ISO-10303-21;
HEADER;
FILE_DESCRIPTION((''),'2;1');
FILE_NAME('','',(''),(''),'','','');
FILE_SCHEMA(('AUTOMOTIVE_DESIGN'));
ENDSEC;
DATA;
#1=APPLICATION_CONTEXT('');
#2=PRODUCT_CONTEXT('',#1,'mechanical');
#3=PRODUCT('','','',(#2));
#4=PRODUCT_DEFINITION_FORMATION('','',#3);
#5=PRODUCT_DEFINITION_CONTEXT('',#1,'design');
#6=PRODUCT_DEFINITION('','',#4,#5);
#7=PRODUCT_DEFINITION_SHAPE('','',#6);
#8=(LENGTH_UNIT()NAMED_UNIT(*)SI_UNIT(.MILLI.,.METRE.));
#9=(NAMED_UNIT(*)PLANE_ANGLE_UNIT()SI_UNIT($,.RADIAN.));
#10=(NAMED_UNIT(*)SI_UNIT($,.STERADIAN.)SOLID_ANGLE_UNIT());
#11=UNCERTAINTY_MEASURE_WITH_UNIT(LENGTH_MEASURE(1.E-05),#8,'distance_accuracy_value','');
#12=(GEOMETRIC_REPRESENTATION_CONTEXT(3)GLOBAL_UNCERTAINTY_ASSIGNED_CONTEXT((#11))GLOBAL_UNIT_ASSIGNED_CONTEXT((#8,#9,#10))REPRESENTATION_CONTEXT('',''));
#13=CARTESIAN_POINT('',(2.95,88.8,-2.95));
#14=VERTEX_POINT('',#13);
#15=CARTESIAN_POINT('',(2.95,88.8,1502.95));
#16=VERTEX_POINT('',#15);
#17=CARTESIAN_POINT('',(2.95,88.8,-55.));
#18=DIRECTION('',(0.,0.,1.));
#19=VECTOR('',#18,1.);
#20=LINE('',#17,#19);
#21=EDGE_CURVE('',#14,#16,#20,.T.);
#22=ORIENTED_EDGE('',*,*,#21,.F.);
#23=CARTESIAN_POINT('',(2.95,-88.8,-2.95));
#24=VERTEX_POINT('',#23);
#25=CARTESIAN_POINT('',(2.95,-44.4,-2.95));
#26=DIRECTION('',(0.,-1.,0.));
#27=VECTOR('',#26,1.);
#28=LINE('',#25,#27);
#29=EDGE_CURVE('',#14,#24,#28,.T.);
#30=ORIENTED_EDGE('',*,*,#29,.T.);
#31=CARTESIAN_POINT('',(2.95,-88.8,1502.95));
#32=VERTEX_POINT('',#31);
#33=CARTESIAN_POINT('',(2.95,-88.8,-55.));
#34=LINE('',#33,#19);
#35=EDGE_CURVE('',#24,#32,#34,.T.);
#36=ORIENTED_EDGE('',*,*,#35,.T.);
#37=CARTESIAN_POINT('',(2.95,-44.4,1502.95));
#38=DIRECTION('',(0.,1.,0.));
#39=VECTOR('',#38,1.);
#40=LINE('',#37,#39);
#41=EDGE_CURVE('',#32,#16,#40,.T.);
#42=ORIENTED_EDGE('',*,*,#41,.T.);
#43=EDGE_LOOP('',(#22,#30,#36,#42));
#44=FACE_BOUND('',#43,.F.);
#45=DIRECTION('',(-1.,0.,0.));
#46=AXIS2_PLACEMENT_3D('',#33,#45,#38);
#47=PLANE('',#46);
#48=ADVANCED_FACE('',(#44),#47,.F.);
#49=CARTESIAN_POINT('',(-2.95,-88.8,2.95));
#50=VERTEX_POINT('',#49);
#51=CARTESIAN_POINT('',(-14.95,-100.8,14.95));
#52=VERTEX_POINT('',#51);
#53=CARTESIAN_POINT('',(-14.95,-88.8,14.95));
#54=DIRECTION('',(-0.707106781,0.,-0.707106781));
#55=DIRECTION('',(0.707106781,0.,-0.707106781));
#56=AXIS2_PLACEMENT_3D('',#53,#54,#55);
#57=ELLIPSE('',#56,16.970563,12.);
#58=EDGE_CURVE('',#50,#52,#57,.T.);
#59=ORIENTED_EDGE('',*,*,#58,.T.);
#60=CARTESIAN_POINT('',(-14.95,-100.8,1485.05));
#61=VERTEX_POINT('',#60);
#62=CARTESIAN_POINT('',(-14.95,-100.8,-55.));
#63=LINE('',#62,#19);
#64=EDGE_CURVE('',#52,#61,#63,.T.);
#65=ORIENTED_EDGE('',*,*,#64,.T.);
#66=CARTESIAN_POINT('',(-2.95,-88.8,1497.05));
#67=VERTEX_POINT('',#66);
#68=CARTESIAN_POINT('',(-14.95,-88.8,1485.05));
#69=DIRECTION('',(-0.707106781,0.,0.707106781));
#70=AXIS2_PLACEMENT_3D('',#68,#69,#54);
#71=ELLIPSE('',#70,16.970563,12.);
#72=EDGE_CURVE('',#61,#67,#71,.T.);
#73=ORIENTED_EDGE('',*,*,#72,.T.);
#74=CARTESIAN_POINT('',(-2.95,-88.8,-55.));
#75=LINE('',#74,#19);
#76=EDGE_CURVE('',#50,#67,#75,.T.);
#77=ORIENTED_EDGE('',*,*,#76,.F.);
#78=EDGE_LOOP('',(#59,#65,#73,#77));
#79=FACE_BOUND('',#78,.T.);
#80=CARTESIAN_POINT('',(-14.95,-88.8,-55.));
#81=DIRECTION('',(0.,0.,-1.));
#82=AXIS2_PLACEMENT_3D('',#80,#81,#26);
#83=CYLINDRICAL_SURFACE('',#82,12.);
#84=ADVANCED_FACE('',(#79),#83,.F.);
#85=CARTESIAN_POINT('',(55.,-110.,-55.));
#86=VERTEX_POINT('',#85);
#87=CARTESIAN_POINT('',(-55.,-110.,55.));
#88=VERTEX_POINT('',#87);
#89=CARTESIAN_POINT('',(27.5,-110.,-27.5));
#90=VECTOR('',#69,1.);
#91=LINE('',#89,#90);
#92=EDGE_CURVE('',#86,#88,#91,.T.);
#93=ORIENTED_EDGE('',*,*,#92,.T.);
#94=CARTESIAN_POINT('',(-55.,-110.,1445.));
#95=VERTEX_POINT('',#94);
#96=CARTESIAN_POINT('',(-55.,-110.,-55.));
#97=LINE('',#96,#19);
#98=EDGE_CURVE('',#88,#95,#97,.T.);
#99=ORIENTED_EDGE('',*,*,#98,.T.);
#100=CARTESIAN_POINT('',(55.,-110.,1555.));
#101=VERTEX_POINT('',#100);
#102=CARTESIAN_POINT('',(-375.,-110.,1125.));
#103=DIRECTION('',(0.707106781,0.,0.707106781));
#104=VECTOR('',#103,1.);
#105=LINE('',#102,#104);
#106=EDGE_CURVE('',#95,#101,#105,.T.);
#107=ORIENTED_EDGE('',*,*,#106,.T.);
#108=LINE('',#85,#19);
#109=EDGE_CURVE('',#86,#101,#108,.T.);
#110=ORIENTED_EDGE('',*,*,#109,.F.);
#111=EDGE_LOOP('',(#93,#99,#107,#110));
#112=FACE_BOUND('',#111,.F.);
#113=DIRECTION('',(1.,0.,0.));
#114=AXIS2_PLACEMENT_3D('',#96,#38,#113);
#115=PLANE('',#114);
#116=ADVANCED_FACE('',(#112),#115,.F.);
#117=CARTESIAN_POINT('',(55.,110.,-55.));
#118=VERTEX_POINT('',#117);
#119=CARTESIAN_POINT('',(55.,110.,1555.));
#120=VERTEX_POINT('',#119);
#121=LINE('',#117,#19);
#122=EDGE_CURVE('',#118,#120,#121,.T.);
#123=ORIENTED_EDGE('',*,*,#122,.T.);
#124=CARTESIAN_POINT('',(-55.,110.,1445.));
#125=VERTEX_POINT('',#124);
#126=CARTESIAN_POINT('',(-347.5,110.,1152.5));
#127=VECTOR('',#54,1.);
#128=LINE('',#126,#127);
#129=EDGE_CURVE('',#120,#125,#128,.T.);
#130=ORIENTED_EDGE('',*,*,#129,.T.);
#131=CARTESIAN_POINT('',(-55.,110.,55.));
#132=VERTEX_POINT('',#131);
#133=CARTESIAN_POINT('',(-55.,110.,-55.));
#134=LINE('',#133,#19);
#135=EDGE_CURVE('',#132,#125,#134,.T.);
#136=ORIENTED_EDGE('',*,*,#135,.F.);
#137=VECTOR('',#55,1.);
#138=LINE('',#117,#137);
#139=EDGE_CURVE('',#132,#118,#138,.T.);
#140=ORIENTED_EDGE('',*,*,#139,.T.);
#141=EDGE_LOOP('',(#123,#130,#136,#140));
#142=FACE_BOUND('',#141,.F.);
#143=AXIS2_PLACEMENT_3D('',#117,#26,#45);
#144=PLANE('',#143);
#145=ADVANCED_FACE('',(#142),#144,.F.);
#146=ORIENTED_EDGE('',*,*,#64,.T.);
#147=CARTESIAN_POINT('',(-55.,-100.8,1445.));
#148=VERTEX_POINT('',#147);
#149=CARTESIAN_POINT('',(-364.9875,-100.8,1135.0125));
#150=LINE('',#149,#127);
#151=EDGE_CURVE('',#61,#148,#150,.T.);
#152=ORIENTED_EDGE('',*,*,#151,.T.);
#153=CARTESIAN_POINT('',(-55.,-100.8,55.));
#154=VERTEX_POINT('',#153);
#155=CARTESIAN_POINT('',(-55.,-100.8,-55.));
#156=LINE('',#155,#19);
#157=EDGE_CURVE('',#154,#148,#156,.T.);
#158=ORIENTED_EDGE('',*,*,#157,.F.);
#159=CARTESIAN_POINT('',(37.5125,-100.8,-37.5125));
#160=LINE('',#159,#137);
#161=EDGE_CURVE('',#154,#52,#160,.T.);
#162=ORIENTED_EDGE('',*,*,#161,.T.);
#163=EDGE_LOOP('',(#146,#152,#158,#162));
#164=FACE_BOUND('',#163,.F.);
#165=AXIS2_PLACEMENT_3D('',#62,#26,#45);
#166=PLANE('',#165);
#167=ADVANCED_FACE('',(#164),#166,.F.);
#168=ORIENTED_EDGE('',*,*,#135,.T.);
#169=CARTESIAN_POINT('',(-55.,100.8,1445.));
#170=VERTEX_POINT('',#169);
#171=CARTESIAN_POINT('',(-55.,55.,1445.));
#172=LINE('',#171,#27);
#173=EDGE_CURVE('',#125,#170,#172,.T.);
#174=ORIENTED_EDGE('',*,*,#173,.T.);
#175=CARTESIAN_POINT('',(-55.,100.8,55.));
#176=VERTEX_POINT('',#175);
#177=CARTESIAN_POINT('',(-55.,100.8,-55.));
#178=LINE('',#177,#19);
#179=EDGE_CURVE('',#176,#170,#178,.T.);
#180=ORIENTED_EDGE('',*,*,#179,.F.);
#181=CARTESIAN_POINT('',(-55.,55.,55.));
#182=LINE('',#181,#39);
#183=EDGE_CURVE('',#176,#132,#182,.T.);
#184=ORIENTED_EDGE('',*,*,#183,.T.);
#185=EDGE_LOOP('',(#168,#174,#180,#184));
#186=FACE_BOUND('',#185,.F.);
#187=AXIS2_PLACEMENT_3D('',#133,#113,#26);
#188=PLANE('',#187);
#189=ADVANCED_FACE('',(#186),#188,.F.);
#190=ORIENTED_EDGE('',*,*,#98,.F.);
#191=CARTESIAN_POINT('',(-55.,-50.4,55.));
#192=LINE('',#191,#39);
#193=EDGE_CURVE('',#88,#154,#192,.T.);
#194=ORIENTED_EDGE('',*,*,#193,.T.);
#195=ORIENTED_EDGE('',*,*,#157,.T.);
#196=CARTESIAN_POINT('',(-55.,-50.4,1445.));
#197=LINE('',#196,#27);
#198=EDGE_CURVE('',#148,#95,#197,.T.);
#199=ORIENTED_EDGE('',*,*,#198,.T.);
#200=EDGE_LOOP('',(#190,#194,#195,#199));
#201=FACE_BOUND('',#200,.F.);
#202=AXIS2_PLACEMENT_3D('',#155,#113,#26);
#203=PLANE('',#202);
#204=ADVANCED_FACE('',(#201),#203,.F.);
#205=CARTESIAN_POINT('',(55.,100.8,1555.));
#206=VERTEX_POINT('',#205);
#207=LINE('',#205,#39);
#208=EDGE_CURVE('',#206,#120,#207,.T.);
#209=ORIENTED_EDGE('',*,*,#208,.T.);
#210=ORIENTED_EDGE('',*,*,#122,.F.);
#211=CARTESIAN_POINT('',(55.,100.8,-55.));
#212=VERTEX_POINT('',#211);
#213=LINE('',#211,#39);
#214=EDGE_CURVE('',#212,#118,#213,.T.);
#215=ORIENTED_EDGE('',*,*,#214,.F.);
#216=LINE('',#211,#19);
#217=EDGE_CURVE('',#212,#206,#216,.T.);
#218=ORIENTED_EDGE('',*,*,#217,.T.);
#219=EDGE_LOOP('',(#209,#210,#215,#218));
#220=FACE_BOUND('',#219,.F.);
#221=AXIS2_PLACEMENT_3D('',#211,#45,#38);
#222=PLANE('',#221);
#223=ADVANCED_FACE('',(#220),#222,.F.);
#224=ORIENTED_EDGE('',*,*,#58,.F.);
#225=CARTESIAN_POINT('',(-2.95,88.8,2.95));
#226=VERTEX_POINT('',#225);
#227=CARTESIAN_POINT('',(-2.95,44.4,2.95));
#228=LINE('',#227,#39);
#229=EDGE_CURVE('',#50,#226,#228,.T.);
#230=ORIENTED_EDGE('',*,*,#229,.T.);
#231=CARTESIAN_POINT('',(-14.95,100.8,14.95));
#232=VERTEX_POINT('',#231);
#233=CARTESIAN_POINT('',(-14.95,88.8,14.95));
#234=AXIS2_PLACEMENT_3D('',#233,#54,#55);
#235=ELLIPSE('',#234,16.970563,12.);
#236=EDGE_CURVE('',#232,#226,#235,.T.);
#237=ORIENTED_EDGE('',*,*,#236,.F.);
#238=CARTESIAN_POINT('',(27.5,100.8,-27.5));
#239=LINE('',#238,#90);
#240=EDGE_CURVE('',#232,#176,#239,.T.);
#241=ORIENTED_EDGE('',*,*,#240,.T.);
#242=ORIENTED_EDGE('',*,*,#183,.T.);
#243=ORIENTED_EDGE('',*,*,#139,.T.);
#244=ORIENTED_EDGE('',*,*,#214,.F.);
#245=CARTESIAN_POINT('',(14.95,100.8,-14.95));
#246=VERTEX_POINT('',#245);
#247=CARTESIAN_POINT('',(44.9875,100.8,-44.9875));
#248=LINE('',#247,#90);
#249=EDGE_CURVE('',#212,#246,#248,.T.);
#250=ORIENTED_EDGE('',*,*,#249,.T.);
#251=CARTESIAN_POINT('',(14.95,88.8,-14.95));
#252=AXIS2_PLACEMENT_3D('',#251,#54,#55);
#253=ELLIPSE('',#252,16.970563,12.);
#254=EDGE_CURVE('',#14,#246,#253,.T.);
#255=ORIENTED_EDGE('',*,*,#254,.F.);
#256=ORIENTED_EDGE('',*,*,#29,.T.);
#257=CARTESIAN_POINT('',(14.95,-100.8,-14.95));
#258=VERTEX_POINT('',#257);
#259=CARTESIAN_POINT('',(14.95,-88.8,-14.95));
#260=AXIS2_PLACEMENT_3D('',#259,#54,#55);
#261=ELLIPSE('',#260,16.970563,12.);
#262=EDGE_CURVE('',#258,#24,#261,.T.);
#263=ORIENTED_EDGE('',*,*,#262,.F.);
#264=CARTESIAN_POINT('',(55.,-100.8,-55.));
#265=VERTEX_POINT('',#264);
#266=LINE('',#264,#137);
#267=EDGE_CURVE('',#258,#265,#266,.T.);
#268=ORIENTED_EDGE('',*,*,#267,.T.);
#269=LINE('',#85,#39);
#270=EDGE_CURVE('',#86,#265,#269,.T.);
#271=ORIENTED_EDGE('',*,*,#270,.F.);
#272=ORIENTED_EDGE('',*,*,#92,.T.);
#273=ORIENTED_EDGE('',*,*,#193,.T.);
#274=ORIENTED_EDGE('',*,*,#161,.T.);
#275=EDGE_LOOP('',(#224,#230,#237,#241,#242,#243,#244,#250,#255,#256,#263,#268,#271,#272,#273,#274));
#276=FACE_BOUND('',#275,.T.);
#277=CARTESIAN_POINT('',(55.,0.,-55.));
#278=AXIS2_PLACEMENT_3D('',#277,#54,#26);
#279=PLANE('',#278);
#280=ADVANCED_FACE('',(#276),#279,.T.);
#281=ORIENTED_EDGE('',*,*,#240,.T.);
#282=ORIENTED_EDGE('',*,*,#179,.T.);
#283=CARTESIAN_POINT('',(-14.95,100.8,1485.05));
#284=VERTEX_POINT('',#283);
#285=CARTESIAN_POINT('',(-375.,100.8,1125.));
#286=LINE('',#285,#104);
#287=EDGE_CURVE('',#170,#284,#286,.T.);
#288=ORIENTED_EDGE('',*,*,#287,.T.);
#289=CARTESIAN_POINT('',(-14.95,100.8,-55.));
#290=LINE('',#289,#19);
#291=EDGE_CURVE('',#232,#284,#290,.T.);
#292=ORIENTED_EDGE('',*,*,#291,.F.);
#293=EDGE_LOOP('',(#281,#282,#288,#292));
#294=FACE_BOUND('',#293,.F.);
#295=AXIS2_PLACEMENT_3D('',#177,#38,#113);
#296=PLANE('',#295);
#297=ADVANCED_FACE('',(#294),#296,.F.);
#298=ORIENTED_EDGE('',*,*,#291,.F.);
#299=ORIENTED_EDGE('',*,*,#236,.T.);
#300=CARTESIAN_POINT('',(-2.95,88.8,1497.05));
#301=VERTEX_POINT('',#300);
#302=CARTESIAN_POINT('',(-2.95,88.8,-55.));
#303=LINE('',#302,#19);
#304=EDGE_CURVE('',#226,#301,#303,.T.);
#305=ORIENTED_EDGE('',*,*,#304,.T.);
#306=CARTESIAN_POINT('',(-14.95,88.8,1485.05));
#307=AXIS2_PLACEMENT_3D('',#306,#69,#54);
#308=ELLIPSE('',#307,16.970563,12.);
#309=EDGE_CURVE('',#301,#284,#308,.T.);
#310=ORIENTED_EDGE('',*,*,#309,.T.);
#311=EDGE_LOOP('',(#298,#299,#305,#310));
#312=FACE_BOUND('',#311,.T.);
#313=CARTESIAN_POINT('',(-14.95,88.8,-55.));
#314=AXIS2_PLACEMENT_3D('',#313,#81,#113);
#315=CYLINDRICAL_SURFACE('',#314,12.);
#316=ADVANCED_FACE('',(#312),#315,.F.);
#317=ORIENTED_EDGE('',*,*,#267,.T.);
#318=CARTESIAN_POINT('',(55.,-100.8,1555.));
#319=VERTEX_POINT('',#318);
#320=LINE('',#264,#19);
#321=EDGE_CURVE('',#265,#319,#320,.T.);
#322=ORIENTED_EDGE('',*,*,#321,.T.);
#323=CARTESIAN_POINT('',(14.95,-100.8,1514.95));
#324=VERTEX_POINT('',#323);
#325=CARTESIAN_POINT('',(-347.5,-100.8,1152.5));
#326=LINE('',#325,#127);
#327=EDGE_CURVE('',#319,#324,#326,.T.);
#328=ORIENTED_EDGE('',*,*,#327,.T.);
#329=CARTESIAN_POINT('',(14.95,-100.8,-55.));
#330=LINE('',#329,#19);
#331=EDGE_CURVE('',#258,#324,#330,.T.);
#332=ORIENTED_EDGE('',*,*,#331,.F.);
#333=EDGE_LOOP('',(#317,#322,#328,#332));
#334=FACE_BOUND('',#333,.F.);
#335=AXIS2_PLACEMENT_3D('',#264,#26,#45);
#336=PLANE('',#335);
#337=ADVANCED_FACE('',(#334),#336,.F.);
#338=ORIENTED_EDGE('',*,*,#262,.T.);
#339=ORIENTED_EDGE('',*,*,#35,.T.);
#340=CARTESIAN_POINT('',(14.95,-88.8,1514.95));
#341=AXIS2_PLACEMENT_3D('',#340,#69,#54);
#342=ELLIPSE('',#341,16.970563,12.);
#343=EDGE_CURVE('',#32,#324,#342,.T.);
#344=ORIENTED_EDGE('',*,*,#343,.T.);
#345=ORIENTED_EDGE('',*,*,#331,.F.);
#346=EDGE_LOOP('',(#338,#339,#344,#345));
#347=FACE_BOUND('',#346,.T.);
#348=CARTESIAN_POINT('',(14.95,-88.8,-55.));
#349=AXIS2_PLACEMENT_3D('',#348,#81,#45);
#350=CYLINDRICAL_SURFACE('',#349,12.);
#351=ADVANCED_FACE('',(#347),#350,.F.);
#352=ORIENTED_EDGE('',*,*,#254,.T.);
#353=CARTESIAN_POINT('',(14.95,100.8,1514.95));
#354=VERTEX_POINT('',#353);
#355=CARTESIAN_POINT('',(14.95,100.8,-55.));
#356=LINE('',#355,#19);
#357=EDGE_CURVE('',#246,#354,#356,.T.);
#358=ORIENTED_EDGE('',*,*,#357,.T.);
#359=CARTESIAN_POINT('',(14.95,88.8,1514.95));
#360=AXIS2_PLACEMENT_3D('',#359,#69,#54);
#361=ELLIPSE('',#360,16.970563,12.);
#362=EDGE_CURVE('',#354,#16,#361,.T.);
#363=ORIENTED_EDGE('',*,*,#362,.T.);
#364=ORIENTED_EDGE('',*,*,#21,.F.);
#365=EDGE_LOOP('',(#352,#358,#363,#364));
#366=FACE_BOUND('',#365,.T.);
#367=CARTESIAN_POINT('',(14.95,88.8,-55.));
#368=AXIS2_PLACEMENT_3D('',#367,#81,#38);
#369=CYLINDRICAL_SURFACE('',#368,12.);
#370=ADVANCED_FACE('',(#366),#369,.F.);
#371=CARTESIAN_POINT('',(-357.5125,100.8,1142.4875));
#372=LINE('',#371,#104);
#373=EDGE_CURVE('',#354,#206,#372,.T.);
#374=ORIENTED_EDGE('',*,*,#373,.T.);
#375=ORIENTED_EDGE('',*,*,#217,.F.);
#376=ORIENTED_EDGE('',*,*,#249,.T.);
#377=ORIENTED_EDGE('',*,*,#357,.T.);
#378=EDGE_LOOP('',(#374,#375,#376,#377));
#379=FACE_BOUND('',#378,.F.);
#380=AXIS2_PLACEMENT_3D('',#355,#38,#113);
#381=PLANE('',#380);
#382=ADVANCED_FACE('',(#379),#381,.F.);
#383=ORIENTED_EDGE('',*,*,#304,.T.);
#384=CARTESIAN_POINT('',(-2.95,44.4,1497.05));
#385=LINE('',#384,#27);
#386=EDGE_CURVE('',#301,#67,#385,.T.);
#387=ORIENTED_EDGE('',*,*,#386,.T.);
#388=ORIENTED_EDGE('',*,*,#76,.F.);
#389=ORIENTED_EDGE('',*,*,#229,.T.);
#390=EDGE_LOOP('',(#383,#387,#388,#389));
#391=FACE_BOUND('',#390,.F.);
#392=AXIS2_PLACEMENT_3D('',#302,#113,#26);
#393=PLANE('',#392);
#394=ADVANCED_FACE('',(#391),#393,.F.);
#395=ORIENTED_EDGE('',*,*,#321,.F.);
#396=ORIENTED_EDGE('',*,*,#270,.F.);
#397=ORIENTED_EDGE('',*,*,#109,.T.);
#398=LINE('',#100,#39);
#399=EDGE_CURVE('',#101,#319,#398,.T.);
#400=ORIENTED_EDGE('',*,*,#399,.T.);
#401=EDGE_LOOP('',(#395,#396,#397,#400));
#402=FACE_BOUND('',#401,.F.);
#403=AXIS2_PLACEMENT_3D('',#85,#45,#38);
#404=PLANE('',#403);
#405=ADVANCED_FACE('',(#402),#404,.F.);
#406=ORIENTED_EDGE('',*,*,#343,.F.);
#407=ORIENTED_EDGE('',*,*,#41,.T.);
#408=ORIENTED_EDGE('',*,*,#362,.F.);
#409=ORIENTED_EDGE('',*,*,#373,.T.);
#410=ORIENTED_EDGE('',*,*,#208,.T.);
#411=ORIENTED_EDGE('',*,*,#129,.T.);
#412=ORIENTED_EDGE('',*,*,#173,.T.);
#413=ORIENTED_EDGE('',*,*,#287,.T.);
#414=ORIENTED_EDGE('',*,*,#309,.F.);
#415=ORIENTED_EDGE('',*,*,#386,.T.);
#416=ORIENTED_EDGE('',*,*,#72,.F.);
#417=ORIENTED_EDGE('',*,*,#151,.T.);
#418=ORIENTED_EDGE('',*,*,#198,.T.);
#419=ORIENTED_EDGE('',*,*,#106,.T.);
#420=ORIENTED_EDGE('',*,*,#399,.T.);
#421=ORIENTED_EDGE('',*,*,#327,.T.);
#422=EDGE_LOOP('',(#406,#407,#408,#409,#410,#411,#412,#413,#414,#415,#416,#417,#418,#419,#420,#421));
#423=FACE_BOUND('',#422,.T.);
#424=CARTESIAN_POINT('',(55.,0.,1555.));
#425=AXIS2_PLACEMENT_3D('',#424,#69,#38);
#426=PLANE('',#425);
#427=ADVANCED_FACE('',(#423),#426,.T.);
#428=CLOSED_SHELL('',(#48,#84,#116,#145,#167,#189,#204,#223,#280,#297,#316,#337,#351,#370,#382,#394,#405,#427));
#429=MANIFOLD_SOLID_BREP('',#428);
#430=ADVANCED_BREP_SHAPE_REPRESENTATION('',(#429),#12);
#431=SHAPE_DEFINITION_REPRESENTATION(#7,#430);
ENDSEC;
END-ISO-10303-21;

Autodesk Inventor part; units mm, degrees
ref_plane "Start plane" through (0, 0, -55) normal (0, 0, 1) x (1, 0, 0)
ref_plane "End plane" through (0, 0, 1555) normal (0, 0, 1) x (1, 0, 0)
sketch "Sketch2" plane through (0, 0, 0) normal (0, 0, 1) x (1, 0, 0)
  line L0 (-55, 100.8) -> (-14.95, 100.8)
  line L1 (-55, 110) -> (-55, 100.8)
  line L2 (55, 110) -> (-55, 110)
  line L3 (55, 100.8) -> (55, 110)
  line L4 (14.95, 100.8) -> (55, 100.8)
  line L5 (2.95, -88.8) -> (2.95, 88.8)
  line L6 (55, -100.8) -> (14.95, -100.8)
  line L7 (55, -110) -> (55, -100.8)
  line L8 (-55, -100.8) -> (-55, -110)
  line L9 (-14.95, -100.8) -> (-55, -100.8)
  line L10 (-2.95, 88.8) -> (-2.95, -88.8)
  line L11 (0, -154) -> (0, 154) construction
  line L12 (-2.95, -100.8) -> (2.95, -100.8) construction
  arc A0 (-14.95, -100.8) -> (-2.95, -88.8) centre (-14.95, -88.8) ccw
  arc A1 (-2.95, 88.8) -> (-14.95, 100.8) centre (-14.95, 88.8) ccw
  arc A2 (14.95, 100.8) -> (2.95, 88.8) centre (14.95, 88.8) ccw
  arc A3 (2.95, -88.8) -> (14.95, -100.8) centre (14.95, -88.8) ccw
  line L13 (-77, 0) -> (77, 0) construction
  line L14 (-55, -110) -> (55, -110)
  point P0 (-2.95, 100.8)
  point P1 (2.95, 100.8)
  point P2 (0, 0)
  point P3 (0, -100.8)
  point P4 (0, 0)
  dimension "d1" = 220
  dimension "d3" = 9.2
  dimension "d5" = 5.9
  dimension "d7" = 110
  dimension "d13" = 12
  dimension "d14" = 110
  dimension "d15" = 55
extrude "Body" add sketch "Sketch2" along normal up to surface (1610 mm away) from surface at -55
sketch "Sketch3" plane through (0, 0, 0) normal (0, 0, 1) x (1, 0, 0)
  line L0 (0, 0) -> (10, 0)
ref_plane "Work Plane3" through (0, 0, 0) normal (0, -1, 0) x (1, 0, 0)
ref_plane "Work Plane4" through (55, 0, 1555) normal (-0.7071, 0, 0.7071) x (0.7071, 0, 0.7071)
split "Split1" plane through (55, 0, 1555) removes the side toward (-0.7071, 0, 0.7071)
ref_plane "Work Plane5" through (55, 0, -55) normal (-0.7071, 0, -0.7071) x (-0.7071, 0, 0.7071)
split "Split2" plane through (55, 0, -55) removes the side toward (-0.7071, 0, -0.7071)
sketch "Sketch4" plane through (0, 0, 0) normal (0, -1, 0) x (1, 0, 0)
  line L0 (-2, -55) -> (12, -55) projected
  line L1 (-2, 1555) -> (12, 1555) projected
  dimension "d19" = 1610
equation "\"d1\" = ParH"
equation "\"d3\" = t2"
equation "\"d5\" = t1"
equation "\"d7\" = b"
equation "\"d13\" = R1"
equation "\"d14\" = 0.5 * d1"
equation "\"d15\" = 0.5 * d7"
equation "\"d8\" = G_L"
equation "\"b\" = 110"
equation "\"ParH\" = 220"
equation "\"R1\" = 12"
equation "\"G_L\" = d19"
equation "\"t1\" = 5.9"
equation "\"t2\" = 9.2"
equation "\"G_OFFSET_START\" = 55"
equation "\"G_OFFSET_END\" = 55"
equation "\"d16\" = -G_OFFSET_START"
equation "\"d17\" = G_OFFSET_END + B_L"
equation "\"B_L\" = 1500"
properties part number "DIN 1025 - IPE 220-1610" material "Steel, Mild"
